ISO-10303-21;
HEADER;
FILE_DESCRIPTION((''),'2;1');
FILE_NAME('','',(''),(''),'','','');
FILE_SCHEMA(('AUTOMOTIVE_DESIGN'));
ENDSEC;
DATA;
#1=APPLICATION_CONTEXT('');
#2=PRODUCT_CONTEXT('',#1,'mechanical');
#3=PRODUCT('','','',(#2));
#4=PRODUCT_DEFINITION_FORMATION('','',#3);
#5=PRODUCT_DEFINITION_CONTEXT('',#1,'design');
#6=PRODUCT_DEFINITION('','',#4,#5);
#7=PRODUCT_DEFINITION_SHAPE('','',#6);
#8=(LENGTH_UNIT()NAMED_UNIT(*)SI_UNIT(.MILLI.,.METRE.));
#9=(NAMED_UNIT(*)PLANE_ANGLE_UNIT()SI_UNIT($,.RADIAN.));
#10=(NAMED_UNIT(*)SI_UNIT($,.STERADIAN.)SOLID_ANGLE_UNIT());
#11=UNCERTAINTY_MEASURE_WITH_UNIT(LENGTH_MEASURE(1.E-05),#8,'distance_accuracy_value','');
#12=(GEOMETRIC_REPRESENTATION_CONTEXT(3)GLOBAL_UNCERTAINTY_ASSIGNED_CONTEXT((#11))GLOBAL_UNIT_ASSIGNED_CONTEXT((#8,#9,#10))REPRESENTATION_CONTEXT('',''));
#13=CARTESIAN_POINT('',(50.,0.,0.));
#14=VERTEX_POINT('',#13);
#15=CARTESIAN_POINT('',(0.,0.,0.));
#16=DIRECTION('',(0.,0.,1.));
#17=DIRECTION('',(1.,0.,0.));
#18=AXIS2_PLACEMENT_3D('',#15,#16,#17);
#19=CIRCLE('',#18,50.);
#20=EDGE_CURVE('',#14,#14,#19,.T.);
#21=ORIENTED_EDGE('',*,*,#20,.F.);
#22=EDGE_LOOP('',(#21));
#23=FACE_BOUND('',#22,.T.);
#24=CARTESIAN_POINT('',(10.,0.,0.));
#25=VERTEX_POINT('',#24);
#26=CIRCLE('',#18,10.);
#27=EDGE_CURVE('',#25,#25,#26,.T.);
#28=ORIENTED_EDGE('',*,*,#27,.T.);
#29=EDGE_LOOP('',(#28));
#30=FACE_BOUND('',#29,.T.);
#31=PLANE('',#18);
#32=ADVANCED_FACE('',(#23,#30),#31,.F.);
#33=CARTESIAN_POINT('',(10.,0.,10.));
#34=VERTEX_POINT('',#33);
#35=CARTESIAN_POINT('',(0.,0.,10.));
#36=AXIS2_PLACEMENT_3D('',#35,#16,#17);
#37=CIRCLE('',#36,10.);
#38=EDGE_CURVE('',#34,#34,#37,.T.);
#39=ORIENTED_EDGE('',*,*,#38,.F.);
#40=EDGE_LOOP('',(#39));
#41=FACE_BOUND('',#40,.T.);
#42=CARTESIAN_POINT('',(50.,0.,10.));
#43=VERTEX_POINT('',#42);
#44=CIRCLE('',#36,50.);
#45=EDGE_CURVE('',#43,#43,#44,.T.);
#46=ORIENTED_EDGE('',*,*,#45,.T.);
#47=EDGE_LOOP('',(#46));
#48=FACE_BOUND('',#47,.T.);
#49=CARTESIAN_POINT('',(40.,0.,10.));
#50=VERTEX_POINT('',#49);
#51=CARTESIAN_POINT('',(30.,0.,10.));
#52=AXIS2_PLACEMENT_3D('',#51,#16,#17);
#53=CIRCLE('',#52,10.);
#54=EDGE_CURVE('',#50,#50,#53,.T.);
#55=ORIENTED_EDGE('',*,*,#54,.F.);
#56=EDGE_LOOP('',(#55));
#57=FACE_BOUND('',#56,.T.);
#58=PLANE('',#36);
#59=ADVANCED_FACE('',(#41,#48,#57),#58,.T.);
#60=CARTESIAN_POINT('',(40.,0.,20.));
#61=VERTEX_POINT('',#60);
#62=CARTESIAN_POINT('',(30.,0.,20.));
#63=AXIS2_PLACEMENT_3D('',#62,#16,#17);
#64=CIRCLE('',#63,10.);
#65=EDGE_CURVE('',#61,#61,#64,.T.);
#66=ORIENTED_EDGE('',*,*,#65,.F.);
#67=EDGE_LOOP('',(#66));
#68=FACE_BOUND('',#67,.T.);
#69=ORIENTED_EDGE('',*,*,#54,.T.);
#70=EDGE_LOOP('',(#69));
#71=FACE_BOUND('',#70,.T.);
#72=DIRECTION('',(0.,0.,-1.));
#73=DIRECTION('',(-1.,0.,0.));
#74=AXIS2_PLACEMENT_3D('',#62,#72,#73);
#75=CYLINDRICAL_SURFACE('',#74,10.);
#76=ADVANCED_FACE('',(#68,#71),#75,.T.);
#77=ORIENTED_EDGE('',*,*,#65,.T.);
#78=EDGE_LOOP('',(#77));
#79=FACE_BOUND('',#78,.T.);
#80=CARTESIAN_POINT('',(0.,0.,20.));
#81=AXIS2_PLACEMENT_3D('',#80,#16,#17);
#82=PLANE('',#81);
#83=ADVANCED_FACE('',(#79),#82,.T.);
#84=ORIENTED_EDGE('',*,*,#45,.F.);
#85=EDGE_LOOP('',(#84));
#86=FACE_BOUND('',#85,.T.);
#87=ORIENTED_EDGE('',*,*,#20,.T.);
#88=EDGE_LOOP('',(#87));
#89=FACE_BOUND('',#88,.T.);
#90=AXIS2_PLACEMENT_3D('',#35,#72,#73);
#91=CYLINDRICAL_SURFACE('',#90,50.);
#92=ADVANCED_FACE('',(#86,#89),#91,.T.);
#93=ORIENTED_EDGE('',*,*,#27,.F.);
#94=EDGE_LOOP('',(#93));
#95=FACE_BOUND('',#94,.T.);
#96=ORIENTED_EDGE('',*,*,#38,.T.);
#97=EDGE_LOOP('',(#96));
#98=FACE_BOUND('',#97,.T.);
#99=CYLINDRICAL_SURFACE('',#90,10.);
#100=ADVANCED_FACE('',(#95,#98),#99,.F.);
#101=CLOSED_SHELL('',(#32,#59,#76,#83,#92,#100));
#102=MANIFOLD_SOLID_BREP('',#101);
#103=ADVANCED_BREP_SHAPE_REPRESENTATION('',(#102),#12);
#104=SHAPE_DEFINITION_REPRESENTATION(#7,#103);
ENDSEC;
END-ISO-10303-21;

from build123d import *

# Parameters (mm, degrees)
SKETCH1_R           = 50
SKETCH1_R_2         = 10
BOSS_EXTRUDE1_DEPTH = 10
SKETCH1_2_R         = 10
BOSS_EXTRUDE2_DEPTH = 20


with BuildPart() as part:
    # Sketch1 → Boss-Extrude1 (new body)
    with BuildSketch(Plane.XY):
        Circle(SKETCH1_R)
        with Locations((30, 0)):
            Circle(SKETCH1_R_2, mode=Mode.SUBTRACT)
        Circle(SKETCH1_R_2, mode=Mode.SUBTRACT)
    extrude(amount=BOSS_EXTRUDE1_DEPTH)

    # Sketch1<2> → Boss-Extrude2 (add)
    with BuildSketch(Plane.XY):
        with Locations((30, 0)):
            Circle(SKETCH1_2_R)
    extrude(amount=BOSS_EXTRUDE2_DEPTH)


solid = part.part
